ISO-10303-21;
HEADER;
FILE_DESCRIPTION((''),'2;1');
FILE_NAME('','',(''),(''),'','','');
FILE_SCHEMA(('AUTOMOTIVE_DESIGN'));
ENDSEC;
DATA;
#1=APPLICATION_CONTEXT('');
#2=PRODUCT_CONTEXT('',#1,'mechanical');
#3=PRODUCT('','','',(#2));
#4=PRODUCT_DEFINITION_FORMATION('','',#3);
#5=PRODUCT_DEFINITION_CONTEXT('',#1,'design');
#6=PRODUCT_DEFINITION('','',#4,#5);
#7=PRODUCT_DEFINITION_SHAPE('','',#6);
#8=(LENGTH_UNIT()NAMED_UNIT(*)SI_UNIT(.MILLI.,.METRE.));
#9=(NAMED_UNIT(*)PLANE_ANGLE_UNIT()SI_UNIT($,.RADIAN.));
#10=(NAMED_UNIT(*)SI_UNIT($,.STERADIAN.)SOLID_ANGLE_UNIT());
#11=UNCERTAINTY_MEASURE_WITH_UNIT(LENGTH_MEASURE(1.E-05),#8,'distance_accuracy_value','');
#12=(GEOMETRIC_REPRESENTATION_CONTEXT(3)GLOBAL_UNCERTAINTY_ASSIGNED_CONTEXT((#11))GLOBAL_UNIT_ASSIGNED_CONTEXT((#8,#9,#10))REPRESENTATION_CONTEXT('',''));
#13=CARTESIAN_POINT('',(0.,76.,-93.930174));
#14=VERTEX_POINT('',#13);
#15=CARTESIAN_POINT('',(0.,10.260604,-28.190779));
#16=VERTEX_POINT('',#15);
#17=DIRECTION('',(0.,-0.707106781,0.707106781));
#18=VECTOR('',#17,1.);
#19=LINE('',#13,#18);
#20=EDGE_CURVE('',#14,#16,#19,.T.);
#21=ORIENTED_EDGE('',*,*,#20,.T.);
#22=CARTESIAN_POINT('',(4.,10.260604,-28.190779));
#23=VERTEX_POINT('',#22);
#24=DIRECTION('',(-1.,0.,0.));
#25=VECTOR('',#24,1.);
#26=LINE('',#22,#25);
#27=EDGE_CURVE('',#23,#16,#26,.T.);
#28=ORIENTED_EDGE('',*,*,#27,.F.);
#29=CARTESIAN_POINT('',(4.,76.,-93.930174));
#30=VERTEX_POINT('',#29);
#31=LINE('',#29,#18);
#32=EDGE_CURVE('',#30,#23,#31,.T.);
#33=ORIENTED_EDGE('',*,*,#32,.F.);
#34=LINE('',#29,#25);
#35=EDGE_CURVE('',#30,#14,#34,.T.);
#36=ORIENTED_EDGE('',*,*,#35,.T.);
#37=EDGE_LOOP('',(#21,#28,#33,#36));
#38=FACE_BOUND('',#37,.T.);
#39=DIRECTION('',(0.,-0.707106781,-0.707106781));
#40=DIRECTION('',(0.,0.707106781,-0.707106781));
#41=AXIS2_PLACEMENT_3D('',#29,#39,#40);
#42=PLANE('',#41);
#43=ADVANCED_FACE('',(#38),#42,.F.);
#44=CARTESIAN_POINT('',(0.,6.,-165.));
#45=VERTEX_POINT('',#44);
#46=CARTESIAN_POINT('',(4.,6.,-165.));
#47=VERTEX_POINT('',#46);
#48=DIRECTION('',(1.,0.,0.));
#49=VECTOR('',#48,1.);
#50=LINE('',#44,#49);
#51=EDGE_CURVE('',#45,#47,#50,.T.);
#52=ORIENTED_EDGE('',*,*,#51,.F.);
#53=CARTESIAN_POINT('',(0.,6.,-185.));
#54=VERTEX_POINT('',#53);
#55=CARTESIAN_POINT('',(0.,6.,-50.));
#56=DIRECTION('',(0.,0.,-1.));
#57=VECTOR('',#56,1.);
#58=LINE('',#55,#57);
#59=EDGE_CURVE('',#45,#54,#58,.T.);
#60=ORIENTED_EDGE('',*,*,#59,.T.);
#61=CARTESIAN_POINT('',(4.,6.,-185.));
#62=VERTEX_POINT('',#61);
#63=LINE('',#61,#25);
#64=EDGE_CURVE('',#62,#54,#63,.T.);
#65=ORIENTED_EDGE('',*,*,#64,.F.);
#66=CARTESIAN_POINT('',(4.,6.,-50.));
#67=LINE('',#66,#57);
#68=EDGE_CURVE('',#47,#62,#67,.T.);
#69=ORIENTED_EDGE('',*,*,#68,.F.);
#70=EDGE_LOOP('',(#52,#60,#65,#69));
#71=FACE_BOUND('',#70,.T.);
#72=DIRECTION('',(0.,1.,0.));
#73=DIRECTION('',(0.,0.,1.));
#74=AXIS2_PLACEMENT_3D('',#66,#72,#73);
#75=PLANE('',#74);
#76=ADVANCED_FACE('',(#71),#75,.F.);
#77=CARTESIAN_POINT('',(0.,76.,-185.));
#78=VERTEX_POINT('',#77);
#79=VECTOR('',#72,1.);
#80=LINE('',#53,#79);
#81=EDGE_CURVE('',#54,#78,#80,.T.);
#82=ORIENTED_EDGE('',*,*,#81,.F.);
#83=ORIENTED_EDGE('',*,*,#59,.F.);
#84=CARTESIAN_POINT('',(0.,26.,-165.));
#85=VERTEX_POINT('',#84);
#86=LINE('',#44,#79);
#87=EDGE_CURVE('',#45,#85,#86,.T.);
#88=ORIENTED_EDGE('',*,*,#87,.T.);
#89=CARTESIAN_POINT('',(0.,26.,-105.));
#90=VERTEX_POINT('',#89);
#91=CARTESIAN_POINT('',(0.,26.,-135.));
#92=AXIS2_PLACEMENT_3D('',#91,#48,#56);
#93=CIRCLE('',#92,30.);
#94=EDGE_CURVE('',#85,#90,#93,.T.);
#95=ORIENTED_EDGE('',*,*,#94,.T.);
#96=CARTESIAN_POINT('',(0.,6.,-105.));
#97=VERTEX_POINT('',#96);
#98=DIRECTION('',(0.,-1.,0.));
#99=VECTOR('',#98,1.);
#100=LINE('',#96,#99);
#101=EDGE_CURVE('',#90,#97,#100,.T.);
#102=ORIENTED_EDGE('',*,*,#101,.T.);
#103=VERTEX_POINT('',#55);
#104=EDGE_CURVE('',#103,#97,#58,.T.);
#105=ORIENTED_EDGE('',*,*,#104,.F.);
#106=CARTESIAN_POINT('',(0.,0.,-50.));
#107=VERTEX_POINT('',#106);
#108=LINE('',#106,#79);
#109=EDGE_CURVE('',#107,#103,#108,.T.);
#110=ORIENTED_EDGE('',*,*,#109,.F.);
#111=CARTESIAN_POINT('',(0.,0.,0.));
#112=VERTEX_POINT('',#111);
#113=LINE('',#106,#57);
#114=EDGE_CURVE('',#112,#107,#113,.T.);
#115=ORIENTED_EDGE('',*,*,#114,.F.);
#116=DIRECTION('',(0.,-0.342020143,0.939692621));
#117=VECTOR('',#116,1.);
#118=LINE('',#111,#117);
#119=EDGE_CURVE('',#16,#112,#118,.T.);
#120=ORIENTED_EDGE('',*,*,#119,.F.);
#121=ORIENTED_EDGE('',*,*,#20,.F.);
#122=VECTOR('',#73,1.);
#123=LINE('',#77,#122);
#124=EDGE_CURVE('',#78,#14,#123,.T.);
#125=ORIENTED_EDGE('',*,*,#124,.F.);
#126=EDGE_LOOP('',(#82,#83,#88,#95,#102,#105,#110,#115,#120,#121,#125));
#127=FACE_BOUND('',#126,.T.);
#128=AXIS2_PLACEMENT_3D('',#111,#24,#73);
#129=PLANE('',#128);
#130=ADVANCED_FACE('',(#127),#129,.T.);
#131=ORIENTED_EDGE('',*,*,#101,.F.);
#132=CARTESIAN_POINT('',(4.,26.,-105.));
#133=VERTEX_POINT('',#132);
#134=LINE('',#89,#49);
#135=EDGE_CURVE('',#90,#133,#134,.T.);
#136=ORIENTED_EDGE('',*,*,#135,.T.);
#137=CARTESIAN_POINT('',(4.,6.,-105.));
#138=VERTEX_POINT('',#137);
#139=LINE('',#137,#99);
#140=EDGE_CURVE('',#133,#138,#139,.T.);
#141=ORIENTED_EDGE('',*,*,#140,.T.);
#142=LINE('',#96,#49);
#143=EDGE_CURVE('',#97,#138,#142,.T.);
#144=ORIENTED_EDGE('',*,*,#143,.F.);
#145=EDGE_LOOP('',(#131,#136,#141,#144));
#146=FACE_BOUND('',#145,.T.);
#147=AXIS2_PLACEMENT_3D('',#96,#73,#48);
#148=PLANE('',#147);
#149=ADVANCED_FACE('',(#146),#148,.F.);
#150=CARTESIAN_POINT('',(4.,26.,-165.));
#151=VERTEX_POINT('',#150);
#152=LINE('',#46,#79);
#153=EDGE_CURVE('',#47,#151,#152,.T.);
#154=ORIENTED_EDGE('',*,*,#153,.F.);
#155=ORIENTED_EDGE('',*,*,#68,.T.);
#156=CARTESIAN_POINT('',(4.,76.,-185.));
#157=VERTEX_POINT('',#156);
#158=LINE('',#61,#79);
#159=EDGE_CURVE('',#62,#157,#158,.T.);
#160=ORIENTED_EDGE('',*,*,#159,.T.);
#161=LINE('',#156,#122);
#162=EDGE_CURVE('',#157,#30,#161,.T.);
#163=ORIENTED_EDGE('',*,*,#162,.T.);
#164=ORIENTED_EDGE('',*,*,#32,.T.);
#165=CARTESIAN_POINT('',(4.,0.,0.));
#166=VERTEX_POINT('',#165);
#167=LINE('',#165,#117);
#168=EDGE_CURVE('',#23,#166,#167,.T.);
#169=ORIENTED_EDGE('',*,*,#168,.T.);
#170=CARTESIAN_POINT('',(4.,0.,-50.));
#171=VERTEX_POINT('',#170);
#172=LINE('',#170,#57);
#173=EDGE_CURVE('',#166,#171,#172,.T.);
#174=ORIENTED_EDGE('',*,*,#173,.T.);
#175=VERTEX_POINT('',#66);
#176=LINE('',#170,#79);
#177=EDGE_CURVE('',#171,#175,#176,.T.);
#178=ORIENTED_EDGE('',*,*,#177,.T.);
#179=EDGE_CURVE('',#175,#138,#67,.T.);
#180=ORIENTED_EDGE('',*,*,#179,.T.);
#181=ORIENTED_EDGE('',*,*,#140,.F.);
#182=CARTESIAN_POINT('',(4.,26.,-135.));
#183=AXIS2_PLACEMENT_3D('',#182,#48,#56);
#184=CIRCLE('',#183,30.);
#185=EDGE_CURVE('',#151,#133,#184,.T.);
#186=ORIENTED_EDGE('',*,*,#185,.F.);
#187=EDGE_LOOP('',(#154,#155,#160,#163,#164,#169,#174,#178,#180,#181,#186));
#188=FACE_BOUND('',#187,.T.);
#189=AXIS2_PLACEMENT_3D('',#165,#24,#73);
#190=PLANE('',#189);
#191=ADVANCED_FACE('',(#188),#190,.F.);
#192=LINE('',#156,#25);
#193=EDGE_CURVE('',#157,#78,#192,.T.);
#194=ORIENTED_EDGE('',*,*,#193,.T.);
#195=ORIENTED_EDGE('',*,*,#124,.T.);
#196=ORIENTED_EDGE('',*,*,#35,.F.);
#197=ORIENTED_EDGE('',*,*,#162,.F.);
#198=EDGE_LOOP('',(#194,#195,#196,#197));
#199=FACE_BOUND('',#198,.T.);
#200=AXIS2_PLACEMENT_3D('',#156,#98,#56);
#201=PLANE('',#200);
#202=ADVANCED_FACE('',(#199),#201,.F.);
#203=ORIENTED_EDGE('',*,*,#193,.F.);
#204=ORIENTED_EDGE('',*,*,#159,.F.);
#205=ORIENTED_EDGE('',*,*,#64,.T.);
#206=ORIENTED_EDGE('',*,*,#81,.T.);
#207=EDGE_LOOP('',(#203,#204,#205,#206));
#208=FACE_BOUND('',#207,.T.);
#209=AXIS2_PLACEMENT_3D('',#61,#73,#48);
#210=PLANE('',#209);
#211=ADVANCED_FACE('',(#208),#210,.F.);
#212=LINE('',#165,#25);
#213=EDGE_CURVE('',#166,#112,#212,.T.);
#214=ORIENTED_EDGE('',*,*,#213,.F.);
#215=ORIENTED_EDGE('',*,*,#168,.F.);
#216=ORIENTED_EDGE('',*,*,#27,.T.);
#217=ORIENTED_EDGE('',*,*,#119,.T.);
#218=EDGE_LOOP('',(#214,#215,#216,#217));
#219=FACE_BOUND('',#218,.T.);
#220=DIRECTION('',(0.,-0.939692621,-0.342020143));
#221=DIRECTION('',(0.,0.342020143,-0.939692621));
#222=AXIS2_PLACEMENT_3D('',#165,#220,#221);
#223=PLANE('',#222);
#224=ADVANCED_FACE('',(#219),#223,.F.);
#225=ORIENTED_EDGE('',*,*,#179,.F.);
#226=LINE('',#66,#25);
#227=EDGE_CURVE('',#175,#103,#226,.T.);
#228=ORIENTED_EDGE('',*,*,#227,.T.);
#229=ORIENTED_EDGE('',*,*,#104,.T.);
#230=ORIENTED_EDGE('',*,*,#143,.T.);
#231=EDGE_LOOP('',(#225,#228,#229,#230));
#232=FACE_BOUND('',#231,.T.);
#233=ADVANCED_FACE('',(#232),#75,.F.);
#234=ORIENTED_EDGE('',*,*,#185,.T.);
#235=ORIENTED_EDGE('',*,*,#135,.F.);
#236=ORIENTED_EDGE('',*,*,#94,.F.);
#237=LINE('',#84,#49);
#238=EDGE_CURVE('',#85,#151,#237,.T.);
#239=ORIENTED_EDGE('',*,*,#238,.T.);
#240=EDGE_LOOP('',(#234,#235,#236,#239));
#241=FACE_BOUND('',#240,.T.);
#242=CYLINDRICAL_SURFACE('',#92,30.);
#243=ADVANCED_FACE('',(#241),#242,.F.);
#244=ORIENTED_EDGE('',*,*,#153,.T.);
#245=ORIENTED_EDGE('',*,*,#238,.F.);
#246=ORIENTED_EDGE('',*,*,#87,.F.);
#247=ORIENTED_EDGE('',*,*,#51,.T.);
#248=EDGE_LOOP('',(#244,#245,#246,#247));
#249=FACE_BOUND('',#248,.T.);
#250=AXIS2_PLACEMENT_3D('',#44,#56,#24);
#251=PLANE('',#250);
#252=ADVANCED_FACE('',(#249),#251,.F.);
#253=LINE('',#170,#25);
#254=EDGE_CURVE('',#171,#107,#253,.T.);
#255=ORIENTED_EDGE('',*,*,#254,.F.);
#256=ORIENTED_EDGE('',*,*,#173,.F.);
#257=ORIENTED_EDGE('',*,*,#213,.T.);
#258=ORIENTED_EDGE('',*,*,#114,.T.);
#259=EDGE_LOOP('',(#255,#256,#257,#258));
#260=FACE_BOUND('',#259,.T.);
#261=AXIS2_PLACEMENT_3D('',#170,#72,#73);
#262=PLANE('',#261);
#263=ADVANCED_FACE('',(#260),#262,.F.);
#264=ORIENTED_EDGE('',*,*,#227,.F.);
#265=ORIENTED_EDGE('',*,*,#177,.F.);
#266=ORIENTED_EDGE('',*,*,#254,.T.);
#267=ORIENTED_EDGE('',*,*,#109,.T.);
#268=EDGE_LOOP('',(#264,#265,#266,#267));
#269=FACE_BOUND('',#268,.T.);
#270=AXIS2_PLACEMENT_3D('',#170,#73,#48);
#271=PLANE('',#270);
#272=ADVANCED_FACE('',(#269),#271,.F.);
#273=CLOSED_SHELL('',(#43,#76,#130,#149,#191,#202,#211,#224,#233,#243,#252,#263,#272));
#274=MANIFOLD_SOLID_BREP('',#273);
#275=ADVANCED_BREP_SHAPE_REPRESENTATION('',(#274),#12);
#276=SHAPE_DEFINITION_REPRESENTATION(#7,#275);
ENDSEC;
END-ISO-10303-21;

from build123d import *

# Parameters (mm, degrees)
SALIENTE_EXTRUIR2_DEPTH = 4
CORTAR_EXTRUIR1_DEPTH   = 4


with BuildPart() as part:
    # Croquis1 → Saliente-Extruir2 (new body)
    with BuildSketch(Plane(origin=(0, 0, 0), x_dir=(0, 0, -1), z_dir=(1, 0, 0))):
        Polygon((0, 0), (28.190778624, 10.2606043), (93.930174324, 76), (185, 76), (185, 6), (50, 6), (50, 0), align=None)
    extrude(amount=SALIENTE_EXTRUIR2_DEPTH)

    # Croquis2 → Cortar-Extruir1 (cut)
    with BuildSketch(Plane(origin=(4, 0, 0), x_dir=(0, 0, -1), z_dir=(1, 0, 0))):
        with BuildLine():
            Line((105, 6), (165, 6))
            Line((165, 6), (165, 26))
            ThreePointArc((165, 26), (135, 56), (105, 26))
            Line((105, 26), (105, 6))
        make_face()
    extrude(amount=-CORTAR_EXTRUIR1_DEPTH, mode=Mode.SUBTRACT)


solid = part.part
